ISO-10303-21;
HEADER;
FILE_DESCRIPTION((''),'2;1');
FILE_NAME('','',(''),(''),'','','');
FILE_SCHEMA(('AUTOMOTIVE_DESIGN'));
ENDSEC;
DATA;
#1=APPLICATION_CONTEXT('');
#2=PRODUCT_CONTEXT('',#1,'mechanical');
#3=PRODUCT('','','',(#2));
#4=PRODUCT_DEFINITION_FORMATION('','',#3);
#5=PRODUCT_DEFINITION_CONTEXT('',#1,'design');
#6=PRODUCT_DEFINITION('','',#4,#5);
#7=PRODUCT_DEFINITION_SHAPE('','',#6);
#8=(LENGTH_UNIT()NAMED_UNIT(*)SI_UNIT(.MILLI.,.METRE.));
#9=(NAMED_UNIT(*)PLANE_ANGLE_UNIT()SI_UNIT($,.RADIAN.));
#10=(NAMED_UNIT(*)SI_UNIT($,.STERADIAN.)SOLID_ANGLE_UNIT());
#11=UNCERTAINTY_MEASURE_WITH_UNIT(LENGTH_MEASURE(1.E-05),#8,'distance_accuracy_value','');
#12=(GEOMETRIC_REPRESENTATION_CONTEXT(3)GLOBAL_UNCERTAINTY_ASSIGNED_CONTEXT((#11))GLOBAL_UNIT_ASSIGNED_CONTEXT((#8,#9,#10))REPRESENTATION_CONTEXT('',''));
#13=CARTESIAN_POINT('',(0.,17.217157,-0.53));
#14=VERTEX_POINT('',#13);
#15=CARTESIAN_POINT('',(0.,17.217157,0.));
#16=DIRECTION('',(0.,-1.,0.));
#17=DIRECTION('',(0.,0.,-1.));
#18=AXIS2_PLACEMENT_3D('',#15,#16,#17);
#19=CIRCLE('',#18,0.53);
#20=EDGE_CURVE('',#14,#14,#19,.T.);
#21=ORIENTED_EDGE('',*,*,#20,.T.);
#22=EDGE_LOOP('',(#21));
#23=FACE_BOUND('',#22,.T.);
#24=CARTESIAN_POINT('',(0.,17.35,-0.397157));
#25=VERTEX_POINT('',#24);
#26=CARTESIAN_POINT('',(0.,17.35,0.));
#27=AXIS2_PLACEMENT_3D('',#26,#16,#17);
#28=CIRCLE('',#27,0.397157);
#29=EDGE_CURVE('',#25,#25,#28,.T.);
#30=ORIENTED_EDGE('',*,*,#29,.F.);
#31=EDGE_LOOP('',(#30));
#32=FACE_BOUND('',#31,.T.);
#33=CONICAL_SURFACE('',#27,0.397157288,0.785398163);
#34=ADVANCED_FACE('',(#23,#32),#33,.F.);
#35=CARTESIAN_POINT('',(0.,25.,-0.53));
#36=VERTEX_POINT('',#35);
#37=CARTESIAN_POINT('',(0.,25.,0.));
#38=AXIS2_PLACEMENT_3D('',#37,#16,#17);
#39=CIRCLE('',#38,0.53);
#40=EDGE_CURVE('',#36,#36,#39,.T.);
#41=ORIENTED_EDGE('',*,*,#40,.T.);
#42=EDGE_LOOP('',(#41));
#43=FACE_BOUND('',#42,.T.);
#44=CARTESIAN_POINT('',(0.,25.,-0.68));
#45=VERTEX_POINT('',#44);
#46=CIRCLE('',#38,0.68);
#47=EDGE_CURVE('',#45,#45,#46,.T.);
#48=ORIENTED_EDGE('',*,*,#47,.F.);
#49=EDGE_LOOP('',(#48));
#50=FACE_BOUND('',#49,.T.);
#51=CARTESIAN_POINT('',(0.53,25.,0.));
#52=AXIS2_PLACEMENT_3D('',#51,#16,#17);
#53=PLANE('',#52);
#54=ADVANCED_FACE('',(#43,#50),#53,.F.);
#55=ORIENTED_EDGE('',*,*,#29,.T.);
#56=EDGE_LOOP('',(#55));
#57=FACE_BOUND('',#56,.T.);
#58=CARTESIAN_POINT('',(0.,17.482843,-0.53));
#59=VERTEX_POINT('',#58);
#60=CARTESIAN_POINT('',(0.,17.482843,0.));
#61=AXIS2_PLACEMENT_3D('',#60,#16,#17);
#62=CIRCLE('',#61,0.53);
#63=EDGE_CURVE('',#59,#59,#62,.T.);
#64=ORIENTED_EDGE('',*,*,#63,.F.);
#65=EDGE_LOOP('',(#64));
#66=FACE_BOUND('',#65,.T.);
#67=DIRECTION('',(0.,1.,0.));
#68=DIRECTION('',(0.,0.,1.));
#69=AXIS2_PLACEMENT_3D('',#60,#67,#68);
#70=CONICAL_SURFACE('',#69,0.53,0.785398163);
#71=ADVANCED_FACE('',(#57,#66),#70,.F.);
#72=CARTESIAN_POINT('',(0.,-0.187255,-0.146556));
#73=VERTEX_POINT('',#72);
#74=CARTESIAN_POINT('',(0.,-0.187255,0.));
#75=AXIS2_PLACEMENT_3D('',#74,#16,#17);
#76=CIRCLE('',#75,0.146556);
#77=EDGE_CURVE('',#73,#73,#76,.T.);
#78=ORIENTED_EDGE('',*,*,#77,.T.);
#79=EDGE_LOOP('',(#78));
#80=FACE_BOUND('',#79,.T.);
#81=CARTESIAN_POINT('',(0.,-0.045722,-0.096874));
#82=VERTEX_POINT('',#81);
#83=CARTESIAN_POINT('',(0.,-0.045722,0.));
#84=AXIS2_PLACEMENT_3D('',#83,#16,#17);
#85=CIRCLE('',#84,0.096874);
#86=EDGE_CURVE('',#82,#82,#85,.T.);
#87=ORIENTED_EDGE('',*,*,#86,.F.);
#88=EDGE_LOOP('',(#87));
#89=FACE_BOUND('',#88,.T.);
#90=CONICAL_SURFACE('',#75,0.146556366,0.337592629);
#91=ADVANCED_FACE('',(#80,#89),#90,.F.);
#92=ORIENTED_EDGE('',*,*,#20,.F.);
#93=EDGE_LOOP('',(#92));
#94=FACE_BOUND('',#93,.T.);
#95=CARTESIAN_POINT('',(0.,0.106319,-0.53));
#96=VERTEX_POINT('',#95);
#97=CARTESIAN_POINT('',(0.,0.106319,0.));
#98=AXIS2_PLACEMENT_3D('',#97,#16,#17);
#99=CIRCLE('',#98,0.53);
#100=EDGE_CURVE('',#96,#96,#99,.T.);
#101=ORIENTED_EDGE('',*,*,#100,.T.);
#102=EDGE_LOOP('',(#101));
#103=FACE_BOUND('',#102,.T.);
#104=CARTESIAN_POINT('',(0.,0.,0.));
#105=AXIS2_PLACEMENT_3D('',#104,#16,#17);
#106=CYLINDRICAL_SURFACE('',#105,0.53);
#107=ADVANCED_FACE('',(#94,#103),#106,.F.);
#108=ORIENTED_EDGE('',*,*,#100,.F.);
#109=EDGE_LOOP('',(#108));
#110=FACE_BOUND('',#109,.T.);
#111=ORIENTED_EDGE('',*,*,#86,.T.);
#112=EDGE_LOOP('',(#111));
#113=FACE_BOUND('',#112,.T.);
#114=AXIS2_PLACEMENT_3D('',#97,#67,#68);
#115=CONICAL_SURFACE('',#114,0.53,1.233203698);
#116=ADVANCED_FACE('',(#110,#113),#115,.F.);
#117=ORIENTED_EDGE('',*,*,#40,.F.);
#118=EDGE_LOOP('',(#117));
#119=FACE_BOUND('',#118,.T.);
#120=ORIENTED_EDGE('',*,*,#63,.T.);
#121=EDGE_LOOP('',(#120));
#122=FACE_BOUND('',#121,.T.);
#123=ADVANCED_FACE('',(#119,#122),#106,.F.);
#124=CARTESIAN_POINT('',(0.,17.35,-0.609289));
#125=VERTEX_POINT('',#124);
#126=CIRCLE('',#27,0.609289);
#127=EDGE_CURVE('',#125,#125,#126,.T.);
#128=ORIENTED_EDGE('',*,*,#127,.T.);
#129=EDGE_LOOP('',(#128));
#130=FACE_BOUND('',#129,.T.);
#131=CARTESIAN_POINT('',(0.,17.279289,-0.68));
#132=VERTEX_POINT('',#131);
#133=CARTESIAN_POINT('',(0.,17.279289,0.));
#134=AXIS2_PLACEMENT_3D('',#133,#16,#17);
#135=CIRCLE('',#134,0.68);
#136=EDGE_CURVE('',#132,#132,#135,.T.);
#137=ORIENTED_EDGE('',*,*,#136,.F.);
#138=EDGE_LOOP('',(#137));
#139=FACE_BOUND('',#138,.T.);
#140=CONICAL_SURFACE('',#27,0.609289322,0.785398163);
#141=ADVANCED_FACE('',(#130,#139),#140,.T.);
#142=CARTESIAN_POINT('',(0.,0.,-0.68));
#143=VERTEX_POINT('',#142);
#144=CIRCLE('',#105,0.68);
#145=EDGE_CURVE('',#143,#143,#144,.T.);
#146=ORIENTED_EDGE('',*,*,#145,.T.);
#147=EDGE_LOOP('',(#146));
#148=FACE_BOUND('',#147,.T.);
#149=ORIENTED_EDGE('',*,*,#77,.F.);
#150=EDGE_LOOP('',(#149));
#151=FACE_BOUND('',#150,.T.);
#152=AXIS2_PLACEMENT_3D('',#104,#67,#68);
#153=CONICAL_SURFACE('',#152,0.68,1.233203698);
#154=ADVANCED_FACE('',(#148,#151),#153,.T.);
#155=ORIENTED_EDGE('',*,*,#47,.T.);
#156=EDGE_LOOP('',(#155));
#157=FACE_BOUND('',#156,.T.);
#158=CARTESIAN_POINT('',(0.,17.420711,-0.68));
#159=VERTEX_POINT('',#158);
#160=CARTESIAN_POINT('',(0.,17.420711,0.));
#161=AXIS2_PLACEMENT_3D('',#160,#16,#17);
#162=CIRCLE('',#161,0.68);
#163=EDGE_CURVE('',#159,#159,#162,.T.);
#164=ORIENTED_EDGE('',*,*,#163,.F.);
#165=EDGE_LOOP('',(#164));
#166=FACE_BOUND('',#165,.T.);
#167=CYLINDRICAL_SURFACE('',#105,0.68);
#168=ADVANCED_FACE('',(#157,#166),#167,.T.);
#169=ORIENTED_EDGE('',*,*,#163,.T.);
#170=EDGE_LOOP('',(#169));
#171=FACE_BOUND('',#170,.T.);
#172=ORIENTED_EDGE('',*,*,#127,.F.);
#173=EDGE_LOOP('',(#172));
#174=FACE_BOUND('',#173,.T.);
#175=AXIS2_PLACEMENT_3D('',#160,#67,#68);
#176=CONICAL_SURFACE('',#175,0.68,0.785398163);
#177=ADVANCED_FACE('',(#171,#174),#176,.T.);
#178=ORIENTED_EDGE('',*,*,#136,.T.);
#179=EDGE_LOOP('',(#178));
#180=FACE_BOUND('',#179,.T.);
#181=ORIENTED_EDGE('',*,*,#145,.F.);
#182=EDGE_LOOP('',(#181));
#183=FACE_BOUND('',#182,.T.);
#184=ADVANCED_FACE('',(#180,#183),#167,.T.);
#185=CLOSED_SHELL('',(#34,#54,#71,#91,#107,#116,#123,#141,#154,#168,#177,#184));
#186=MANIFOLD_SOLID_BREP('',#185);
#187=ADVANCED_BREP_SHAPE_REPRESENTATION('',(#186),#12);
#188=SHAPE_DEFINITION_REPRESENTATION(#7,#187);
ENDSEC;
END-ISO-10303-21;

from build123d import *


with BuildPart() as part:
    # Sketch1 → Revolve-Thin1 (revolve)
    with BuildSketch(Plane.XY):
        Polygon((0.68, 25), (0.68, 17.420710678), (0.609289322, 17.35), (0.68, 17.279289322), (0.68, 0), (0.146556366, -0.187255024), (0.096873881, -0.04572181), (0.53, 0.106318699), (0.53, 17.217157288), (0.397157288, 17.35), (0.53, 17.482842712), (0.53, 25), align=None)
    revolve(axis=Axis((0, 0, 0), (0, 1, 0)))


solid = part.part
